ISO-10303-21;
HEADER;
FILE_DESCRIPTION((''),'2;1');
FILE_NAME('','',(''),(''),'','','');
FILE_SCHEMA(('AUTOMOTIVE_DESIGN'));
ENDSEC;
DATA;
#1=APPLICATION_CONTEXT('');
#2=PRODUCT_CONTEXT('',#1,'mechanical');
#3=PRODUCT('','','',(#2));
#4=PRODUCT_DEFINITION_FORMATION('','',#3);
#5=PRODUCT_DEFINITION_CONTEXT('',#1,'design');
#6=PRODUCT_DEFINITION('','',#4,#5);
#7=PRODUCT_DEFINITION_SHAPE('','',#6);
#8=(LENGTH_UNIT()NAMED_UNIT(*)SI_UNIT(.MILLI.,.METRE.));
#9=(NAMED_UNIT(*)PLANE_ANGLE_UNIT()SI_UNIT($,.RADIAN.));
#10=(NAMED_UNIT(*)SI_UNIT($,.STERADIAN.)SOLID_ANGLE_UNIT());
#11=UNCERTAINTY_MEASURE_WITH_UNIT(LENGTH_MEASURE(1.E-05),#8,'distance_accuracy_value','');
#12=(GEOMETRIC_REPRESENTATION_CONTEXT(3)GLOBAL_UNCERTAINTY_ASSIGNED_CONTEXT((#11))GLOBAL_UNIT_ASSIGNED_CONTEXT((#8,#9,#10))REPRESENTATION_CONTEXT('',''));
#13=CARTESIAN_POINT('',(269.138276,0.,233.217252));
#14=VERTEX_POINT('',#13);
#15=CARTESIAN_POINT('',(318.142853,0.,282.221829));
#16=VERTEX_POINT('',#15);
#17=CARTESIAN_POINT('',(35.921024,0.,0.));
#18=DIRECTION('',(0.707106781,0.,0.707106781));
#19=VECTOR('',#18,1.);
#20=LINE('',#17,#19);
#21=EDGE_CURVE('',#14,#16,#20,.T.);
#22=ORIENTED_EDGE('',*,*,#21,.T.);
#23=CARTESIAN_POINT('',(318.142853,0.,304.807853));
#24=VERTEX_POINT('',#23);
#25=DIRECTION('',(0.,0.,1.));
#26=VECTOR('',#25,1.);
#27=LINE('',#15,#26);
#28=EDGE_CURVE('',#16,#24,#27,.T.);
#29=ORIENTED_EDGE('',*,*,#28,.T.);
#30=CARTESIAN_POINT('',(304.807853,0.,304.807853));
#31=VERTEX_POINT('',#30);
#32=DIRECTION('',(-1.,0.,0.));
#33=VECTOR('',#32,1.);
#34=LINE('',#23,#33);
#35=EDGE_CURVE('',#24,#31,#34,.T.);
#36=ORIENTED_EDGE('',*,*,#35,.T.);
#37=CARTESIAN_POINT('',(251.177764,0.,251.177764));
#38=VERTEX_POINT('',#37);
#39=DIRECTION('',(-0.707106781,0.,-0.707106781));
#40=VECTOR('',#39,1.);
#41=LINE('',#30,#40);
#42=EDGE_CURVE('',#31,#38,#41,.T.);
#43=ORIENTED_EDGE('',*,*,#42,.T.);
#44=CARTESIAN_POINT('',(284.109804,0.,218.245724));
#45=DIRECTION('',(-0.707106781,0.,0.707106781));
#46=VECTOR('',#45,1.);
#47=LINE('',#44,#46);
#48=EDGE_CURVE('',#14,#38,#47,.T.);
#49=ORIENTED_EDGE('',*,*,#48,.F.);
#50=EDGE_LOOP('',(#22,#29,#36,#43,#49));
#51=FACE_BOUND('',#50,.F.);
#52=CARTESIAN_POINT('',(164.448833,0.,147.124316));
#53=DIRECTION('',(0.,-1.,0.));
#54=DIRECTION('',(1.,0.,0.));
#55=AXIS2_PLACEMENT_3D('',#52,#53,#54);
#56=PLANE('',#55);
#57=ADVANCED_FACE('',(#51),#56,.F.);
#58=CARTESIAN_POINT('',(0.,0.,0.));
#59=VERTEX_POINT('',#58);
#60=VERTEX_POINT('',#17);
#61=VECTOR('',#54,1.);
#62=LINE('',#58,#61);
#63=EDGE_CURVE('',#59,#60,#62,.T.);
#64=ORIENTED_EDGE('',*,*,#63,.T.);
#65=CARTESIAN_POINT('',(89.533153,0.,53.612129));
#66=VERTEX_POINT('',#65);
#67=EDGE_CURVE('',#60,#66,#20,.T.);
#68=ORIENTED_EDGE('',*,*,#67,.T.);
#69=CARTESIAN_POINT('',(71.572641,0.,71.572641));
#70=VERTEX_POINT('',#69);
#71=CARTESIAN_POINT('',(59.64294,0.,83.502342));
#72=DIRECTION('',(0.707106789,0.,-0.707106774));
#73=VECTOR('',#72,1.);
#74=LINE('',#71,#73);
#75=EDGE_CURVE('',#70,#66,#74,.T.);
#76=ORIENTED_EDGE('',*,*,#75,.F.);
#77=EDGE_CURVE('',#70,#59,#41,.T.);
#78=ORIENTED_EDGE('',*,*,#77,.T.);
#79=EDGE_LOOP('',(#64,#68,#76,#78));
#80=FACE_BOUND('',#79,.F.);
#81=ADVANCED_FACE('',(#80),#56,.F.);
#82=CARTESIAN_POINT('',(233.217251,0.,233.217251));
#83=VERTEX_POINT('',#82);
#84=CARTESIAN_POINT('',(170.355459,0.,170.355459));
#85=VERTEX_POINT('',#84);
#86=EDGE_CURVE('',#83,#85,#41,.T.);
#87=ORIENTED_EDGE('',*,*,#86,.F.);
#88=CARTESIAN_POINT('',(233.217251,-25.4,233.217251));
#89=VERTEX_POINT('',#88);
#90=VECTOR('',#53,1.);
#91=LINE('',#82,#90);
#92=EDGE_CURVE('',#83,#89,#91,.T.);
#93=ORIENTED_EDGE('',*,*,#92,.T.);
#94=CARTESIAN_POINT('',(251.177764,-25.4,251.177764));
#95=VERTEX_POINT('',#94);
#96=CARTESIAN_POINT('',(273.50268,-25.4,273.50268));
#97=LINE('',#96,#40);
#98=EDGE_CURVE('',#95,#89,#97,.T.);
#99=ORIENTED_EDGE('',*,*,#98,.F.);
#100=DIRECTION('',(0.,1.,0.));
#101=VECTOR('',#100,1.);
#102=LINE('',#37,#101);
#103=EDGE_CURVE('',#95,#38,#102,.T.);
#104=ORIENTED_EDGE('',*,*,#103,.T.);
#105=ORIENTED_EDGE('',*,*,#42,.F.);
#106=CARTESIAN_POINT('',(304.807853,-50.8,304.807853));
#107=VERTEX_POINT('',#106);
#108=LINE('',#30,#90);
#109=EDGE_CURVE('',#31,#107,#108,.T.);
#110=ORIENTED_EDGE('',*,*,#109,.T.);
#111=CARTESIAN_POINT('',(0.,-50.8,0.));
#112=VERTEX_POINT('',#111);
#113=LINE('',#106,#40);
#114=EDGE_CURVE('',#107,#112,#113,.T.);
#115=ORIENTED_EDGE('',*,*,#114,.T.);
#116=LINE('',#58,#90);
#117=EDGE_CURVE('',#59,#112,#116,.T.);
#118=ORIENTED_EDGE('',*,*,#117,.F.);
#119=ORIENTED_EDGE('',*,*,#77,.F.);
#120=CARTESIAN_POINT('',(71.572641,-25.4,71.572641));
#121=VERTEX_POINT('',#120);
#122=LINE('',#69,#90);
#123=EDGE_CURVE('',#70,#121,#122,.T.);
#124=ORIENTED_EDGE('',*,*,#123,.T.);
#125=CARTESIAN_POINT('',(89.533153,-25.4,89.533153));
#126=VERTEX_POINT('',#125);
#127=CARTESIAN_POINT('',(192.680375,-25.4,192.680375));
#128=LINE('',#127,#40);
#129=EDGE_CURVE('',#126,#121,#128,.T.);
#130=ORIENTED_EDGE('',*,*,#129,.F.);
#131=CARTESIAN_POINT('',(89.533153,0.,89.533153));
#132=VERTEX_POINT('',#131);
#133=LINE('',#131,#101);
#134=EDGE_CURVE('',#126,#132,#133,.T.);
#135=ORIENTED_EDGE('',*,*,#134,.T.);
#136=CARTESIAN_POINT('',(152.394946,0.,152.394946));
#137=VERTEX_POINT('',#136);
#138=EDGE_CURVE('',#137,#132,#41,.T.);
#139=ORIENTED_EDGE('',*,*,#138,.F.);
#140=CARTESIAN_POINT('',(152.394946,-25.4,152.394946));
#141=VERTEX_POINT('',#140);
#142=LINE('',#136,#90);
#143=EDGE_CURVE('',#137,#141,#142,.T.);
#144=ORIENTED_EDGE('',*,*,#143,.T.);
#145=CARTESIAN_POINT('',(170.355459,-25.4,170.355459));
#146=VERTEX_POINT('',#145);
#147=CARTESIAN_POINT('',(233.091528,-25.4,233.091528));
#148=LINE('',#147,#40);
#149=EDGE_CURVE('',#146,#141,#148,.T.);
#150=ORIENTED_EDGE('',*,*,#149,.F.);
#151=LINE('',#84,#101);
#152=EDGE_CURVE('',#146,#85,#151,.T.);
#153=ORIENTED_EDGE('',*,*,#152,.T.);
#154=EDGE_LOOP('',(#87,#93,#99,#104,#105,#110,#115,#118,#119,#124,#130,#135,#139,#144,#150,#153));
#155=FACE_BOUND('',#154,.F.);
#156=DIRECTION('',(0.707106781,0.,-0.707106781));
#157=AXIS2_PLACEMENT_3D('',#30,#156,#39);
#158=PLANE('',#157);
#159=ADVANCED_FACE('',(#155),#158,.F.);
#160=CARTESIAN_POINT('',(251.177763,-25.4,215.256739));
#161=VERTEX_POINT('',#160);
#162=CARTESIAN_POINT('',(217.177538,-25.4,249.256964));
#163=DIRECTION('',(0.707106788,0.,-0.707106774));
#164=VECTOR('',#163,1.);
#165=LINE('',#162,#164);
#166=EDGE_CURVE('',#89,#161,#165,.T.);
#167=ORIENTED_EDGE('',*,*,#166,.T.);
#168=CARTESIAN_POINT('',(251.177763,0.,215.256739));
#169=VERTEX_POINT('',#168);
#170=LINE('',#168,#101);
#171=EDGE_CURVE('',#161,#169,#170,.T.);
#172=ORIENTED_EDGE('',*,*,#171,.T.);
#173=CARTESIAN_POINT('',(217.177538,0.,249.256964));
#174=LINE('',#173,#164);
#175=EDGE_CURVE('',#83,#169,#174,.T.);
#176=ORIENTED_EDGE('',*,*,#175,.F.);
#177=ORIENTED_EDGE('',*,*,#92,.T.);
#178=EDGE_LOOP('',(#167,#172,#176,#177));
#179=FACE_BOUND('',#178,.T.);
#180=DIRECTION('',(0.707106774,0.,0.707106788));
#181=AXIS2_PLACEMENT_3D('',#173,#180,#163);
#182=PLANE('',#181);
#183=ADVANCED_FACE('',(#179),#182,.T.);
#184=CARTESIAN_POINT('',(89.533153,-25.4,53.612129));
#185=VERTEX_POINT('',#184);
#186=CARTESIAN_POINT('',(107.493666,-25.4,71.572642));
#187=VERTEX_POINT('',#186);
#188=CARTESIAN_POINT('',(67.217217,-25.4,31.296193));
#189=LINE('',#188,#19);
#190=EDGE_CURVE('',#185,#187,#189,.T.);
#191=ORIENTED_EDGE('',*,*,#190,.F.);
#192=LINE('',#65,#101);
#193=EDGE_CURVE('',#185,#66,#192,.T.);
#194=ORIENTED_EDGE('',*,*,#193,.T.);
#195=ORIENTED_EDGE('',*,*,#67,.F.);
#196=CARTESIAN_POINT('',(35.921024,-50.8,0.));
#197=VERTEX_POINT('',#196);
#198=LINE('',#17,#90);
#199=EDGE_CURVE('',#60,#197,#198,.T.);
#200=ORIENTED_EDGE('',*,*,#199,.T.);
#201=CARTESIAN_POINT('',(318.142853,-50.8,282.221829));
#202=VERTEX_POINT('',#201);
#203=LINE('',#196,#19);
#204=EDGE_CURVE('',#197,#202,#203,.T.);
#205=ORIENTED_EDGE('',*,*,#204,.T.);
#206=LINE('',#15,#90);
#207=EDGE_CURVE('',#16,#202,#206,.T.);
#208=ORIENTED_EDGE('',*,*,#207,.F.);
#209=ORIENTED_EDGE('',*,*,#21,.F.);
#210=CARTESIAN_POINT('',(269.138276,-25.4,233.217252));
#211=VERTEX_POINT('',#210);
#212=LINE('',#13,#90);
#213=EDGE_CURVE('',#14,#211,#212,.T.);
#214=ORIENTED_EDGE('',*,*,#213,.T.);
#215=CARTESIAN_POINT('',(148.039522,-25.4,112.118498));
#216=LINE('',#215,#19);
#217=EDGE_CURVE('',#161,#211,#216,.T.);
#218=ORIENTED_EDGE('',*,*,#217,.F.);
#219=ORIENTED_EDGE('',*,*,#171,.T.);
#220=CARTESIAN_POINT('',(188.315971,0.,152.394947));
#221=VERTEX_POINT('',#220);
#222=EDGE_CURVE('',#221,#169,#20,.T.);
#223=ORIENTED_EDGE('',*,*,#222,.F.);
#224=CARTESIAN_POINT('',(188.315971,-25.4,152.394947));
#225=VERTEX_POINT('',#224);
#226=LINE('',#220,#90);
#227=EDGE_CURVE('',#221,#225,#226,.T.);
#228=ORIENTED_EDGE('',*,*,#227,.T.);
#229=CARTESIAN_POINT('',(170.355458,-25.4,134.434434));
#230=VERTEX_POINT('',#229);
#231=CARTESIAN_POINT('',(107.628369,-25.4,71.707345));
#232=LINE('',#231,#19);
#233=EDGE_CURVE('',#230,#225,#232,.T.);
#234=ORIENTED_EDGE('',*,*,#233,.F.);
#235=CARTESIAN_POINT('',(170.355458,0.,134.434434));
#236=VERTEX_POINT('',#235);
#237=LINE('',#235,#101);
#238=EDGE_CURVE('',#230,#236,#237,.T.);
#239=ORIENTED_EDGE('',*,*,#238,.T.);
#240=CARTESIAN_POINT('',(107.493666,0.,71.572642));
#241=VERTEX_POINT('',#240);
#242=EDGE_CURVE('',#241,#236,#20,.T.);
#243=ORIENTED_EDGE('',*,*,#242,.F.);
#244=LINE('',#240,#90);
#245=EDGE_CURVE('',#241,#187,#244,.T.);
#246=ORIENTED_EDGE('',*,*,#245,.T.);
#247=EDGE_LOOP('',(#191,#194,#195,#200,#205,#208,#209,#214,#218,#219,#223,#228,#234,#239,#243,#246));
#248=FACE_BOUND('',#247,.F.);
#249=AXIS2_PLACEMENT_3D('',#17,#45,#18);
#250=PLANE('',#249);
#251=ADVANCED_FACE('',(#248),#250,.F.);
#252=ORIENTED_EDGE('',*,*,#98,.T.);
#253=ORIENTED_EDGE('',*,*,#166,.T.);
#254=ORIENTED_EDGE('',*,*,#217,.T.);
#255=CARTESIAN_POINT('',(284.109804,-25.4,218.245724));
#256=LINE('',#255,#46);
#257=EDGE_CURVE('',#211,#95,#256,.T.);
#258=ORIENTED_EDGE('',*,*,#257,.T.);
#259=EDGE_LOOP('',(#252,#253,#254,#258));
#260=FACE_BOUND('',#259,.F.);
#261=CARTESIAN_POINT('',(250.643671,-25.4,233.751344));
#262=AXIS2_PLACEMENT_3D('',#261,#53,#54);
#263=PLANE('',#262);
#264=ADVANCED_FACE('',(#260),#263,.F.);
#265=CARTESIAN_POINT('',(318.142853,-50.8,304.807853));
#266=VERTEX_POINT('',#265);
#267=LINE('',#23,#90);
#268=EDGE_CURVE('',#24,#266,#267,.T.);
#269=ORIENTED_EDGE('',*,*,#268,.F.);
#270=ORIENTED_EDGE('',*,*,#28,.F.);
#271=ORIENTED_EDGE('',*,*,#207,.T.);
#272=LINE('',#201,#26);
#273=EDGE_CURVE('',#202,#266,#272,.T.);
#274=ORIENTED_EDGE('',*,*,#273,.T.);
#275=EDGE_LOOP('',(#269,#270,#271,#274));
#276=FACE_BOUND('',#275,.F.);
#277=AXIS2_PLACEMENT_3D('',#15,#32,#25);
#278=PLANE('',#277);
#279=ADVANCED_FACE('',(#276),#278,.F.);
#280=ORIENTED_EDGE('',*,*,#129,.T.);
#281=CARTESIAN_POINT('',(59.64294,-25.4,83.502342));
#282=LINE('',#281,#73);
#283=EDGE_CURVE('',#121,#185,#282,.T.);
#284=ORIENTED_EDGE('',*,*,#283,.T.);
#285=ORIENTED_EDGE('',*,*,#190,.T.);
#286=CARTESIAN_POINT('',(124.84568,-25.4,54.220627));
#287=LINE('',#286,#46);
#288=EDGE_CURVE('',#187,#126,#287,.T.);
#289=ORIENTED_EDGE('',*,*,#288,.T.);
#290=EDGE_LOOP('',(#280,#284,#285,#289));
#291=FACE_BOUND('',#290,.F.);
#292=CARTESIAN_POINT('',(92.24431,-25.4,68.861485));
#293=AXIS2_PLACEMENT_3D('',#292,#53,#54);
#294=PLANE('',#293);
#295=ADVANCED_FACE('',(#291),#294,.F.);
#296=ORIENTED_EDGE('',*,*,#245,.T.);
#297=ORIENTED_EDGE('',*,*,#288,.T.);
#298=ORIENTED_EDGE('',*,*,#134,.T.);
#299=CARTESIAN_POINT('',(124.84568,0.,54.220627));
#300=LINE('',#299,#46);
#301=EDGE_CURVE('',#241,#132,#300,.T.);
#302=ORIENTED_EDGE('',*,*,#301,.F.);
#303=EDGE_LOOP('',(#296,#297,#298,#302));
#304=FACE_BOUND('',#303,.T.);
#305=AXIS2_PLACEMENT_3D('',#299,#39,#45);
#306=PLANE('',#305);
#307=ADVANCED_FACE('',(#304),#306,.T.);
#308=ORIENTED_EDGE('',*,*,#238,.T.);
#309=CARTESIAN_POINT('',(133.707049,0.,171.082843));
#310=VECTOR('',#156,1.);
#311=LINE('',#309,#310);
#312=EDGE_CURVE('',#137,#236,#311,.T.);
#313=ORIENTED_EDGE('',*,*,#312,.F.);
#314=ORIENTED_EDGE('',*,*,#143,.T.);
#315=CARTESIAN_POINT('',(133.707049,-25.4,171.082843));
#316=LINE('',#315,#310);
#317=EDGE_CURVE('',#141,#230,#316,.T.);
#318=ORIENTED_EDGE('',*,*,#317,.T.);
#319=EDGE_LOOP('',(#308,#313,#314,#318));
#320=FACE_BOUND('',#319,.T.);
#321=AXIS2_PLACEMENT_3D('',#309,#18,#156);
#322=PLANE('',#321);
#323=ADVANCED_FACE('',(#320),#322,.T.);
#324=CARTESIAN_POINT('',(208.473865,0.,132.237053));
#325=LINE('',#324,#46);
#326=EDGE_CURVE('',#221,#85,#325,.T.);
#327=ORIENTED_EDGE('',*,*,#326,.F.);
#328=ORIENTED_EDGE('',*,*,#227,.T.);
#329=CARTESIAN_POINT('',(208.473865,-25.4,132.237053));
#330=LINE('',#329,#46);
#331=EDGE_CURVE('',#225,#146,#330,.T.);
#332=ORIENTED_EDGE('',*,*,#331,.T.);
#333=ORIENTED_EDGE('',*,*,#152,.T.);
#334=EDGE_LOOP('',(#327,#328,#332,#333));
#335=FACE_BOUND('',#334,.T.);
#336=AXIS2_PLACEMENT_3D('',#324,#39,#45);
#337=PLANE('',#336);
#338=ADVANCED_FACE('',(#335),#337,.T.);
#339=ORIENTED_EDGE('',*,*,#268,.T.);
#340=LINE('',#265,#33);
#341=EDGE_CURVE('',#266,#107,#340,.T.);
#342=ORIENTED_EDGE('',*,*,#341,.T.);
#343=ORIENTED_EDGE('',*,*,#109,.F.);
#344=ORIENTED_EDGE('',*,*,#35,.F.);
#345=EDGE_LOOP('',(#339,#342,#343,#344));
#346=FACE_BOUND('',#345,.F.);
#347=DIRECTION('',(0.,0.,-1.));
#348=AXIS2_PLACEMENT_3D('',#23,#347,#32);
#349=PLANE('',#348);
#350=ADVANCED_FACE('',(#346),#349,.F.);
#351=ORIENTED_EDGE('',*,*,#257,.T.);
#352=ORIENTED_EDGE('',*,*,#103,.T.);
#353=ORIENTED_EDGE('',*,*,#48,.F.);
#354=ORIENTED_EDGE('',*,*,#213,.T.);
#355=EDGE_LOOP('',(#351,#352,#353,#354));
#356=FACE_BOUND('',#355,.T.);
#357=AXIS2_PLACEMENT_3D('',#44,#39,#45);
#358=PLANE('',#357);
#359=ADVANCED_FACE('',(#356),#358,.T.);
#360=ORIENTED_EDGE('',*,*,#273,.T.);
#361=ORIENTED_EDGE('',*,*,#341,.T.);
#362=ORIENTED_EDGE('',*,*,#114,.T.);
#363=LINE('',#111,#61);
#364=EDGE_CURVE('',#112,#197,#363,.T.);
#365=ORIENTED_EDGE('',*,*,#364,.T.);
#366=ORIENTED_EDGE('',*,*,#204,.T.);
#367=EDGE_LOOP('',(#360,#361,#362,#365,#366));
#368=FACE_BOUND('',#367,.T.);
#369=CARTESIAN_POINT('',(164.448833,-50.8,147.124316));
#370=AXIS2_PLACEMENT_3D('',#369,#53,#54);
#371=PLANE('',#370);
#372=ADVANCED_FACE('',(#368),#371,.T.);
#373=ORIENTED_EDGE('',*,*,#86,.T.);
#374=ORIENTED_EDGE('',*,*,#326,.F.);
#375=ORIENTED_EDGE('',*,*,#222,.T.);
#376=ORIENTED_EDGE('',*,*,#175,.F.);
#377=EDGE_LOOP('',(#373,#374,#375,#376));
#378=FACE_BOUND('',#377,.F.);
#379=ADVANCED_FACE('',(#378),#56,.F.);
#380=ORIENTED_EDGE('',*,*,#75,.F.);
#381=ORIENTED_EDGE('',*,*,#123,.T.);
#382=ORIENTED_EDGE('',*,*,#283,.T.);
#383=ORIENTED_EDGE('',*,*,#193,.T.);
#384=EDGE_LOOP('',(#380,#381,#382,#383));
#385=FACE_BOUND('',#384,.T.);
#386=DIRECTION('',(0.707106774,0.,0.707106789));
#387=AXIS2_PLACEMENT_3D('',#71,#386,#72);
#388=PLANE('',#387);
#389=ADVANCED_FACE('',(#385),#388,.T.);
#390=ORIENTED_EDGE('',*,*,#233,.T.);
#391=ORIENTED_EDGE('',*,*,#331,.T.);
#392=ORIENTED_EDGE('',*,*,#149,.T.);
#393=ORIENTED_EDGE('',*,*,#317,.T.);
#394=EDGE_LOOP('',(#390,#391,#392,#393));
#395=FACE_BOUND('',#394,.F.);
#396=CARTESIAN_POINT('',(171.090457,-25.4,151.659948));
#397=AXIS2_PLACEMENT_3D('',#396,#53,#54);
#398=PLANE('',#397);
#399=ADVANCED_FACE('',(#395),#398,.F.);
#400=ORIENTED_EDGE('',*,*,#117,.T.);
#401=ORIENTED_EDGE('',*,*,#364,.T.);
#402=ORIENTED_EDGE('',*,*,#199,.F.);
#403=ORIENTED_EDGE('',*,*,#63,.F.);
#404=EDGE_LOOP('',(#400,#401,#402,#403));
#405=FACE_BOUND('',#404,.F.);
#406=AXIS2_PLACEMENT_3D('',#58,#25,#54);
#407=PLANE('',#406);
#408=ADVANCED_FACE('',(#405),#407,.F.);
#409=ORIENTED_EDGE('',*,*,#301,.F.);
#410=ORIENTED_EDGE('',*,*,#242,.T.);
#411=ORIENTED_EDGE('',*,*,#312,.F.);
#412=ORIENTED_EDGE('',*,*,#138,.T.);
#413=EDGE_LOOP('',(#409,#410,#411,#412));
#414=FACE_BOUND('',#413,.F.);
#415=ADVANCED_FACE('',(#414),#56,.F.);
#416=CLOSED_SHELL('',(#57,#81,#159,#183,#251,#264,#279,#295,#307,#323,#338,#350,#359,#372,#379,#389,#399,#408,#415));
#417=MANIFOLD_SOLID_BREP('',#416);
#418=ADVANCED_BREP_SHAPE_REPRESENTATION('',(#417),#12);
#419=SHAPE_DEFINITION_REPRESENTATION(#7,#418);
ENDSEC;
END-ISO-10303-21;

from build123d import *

# Parameters (mm, degrees)
F1_DEPTH = 50.8
F3_DEPTH = 25.4


with BuildPart() as f1:
    # F0 (on Front) → F1 (new body)
    with BuildSketch(Plane.XZ):
        Polygon((304.807853, 304.807853), (0, 0), (35.921024, 0), (318.142853, 282.221829), (318.142853, 304.807853), align=None)
    extrude(amount=F1_DEPTH)

    # F2 (on Front) → F3 (cut)
    with BuildSketch(Plane.XZ):
        Polygon((235.138051, 267.217477), (217.177538, 249.256964), (266.149292, 200.285211), (284.109804, 218.245724), align=None)
        Polygon((77.603452, 101.462855), (59.64294, 83.502342), (106.885168, 36.260115), (124.84568, 54.220627), align=None)
        Polygon((151.667562, 189.043356), (133.707049, 171.082843), (190.513352, 114.27654), (208.473865, 132.237053), align=None)
    extrude(amount=F3_DEPTH, mode=Mode.SUBTRACT)


solid = f1.part
